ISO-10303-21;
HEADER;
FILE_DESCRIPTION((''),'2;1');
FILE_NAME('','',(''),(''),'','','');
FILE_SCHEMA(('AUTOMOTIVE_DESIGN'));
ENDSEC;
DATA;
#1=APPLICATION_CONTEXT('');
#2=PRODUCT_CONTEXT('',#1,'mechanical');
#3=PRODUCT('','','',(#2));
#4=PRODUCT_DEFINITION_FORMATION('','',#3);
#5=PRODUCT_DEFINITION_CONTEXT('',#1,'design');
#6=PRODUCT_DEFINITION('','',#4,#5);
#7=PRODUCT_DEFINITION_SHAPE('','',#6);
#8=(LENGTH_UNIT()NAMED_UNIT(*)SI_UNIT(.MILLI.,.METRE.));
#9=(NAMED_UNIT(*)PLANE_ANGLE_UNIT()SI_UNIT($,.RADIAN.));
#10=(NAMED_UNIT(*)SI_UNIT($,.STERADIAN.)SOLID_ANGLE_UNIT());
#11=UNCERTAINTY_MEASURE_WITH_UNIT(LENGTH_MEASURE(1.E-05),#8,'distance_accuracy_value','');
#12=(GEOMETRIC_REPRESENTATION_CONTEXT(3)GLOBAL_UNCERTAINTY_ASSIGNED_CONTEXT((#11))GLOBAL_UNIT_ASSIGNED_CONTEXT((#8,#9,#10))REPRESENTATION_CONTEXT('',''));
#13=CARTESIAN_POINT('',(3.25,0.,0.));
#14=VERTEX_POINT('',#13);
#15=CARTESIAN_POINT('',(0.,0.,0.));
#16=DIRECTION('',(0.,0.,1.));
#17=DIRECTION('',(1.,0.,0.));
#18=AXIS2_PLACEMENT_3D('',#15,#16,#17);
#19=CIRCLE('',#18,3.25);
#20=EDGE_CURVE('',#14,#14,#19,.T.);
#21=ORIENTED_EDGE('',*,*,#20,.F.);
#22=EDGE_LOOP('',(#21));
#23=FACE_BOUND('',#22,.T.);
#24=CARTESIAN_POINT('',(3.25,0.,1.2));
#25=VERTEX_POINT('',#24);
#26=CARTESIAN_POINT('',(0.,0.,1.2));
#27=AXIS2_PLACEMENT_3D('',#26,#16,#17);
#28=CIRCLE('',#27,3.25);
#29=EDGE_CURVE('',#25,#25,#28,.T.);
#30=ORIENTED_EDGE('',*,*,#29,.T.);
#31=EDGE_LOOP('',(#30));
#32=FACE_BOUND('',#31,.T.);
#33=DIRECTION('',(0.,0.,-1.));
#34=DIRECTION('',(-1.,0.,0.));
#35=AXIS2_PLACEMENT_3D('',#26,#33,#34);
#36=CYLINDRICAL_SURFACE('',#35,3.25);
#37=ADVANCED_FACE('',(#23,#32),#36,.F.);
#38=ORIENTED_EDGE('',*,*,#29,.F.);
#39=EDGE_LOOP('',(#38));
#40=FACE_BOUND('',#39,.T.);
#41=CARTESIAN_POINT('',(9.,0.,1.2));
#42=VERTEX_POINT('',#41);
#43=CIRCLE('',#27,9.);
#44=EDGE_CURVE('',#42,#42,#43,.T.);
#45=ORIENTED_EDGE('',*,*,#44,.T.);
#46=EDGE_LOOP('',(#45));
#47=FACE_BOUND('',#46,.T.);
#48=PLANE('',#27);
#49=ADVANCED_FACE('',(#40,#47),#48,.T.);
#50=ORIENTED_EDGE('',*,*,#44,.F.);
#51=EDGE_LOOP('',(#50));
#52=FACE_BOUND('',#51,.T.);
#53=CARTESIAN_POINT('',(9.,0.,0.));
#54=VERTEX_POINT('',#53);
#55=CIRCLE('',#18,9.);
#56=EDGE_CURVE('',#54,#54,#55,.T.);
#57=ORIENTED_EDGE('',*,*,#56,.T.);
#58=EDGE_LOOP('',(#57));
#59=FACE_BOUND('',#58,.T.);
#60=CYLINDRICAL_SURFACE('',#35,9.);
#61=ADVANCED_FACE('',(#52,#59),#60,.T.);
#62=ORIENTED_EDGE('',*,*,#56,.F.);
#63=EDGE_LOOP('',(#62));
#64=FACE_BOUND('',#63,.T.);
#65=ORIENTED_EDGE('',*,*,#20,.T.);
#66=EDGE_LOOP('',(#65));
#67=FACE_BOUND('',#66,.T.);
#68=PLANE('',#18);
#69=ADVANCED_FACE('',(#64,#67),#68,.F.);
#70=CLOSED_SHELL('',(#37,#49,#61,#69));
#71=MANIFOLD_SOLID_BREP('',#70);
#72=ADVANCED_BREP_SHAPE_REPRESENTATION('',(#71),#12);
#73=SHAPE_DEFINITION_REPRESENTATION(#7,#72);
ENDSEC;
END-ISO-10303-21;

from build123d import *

# Parameters (mm, degrees)
ESQUISSE1_R      = 9
ESQUISSE1_R_2    = 3.25
EXTRUSION1_DEPTH = 1.2


with BuildPart() as part:
    # Esquisse1 → Extrusion1 (new body)
    with BuildSketch(Plane.XY):
        Circle(ESQUISSE1_R)
        Circle(ESQUISSE1_R_2, mode=Mode.SUBTRACT)
    extrude(amount=EXTRUSION1_DEPTH)


solid = part.part
